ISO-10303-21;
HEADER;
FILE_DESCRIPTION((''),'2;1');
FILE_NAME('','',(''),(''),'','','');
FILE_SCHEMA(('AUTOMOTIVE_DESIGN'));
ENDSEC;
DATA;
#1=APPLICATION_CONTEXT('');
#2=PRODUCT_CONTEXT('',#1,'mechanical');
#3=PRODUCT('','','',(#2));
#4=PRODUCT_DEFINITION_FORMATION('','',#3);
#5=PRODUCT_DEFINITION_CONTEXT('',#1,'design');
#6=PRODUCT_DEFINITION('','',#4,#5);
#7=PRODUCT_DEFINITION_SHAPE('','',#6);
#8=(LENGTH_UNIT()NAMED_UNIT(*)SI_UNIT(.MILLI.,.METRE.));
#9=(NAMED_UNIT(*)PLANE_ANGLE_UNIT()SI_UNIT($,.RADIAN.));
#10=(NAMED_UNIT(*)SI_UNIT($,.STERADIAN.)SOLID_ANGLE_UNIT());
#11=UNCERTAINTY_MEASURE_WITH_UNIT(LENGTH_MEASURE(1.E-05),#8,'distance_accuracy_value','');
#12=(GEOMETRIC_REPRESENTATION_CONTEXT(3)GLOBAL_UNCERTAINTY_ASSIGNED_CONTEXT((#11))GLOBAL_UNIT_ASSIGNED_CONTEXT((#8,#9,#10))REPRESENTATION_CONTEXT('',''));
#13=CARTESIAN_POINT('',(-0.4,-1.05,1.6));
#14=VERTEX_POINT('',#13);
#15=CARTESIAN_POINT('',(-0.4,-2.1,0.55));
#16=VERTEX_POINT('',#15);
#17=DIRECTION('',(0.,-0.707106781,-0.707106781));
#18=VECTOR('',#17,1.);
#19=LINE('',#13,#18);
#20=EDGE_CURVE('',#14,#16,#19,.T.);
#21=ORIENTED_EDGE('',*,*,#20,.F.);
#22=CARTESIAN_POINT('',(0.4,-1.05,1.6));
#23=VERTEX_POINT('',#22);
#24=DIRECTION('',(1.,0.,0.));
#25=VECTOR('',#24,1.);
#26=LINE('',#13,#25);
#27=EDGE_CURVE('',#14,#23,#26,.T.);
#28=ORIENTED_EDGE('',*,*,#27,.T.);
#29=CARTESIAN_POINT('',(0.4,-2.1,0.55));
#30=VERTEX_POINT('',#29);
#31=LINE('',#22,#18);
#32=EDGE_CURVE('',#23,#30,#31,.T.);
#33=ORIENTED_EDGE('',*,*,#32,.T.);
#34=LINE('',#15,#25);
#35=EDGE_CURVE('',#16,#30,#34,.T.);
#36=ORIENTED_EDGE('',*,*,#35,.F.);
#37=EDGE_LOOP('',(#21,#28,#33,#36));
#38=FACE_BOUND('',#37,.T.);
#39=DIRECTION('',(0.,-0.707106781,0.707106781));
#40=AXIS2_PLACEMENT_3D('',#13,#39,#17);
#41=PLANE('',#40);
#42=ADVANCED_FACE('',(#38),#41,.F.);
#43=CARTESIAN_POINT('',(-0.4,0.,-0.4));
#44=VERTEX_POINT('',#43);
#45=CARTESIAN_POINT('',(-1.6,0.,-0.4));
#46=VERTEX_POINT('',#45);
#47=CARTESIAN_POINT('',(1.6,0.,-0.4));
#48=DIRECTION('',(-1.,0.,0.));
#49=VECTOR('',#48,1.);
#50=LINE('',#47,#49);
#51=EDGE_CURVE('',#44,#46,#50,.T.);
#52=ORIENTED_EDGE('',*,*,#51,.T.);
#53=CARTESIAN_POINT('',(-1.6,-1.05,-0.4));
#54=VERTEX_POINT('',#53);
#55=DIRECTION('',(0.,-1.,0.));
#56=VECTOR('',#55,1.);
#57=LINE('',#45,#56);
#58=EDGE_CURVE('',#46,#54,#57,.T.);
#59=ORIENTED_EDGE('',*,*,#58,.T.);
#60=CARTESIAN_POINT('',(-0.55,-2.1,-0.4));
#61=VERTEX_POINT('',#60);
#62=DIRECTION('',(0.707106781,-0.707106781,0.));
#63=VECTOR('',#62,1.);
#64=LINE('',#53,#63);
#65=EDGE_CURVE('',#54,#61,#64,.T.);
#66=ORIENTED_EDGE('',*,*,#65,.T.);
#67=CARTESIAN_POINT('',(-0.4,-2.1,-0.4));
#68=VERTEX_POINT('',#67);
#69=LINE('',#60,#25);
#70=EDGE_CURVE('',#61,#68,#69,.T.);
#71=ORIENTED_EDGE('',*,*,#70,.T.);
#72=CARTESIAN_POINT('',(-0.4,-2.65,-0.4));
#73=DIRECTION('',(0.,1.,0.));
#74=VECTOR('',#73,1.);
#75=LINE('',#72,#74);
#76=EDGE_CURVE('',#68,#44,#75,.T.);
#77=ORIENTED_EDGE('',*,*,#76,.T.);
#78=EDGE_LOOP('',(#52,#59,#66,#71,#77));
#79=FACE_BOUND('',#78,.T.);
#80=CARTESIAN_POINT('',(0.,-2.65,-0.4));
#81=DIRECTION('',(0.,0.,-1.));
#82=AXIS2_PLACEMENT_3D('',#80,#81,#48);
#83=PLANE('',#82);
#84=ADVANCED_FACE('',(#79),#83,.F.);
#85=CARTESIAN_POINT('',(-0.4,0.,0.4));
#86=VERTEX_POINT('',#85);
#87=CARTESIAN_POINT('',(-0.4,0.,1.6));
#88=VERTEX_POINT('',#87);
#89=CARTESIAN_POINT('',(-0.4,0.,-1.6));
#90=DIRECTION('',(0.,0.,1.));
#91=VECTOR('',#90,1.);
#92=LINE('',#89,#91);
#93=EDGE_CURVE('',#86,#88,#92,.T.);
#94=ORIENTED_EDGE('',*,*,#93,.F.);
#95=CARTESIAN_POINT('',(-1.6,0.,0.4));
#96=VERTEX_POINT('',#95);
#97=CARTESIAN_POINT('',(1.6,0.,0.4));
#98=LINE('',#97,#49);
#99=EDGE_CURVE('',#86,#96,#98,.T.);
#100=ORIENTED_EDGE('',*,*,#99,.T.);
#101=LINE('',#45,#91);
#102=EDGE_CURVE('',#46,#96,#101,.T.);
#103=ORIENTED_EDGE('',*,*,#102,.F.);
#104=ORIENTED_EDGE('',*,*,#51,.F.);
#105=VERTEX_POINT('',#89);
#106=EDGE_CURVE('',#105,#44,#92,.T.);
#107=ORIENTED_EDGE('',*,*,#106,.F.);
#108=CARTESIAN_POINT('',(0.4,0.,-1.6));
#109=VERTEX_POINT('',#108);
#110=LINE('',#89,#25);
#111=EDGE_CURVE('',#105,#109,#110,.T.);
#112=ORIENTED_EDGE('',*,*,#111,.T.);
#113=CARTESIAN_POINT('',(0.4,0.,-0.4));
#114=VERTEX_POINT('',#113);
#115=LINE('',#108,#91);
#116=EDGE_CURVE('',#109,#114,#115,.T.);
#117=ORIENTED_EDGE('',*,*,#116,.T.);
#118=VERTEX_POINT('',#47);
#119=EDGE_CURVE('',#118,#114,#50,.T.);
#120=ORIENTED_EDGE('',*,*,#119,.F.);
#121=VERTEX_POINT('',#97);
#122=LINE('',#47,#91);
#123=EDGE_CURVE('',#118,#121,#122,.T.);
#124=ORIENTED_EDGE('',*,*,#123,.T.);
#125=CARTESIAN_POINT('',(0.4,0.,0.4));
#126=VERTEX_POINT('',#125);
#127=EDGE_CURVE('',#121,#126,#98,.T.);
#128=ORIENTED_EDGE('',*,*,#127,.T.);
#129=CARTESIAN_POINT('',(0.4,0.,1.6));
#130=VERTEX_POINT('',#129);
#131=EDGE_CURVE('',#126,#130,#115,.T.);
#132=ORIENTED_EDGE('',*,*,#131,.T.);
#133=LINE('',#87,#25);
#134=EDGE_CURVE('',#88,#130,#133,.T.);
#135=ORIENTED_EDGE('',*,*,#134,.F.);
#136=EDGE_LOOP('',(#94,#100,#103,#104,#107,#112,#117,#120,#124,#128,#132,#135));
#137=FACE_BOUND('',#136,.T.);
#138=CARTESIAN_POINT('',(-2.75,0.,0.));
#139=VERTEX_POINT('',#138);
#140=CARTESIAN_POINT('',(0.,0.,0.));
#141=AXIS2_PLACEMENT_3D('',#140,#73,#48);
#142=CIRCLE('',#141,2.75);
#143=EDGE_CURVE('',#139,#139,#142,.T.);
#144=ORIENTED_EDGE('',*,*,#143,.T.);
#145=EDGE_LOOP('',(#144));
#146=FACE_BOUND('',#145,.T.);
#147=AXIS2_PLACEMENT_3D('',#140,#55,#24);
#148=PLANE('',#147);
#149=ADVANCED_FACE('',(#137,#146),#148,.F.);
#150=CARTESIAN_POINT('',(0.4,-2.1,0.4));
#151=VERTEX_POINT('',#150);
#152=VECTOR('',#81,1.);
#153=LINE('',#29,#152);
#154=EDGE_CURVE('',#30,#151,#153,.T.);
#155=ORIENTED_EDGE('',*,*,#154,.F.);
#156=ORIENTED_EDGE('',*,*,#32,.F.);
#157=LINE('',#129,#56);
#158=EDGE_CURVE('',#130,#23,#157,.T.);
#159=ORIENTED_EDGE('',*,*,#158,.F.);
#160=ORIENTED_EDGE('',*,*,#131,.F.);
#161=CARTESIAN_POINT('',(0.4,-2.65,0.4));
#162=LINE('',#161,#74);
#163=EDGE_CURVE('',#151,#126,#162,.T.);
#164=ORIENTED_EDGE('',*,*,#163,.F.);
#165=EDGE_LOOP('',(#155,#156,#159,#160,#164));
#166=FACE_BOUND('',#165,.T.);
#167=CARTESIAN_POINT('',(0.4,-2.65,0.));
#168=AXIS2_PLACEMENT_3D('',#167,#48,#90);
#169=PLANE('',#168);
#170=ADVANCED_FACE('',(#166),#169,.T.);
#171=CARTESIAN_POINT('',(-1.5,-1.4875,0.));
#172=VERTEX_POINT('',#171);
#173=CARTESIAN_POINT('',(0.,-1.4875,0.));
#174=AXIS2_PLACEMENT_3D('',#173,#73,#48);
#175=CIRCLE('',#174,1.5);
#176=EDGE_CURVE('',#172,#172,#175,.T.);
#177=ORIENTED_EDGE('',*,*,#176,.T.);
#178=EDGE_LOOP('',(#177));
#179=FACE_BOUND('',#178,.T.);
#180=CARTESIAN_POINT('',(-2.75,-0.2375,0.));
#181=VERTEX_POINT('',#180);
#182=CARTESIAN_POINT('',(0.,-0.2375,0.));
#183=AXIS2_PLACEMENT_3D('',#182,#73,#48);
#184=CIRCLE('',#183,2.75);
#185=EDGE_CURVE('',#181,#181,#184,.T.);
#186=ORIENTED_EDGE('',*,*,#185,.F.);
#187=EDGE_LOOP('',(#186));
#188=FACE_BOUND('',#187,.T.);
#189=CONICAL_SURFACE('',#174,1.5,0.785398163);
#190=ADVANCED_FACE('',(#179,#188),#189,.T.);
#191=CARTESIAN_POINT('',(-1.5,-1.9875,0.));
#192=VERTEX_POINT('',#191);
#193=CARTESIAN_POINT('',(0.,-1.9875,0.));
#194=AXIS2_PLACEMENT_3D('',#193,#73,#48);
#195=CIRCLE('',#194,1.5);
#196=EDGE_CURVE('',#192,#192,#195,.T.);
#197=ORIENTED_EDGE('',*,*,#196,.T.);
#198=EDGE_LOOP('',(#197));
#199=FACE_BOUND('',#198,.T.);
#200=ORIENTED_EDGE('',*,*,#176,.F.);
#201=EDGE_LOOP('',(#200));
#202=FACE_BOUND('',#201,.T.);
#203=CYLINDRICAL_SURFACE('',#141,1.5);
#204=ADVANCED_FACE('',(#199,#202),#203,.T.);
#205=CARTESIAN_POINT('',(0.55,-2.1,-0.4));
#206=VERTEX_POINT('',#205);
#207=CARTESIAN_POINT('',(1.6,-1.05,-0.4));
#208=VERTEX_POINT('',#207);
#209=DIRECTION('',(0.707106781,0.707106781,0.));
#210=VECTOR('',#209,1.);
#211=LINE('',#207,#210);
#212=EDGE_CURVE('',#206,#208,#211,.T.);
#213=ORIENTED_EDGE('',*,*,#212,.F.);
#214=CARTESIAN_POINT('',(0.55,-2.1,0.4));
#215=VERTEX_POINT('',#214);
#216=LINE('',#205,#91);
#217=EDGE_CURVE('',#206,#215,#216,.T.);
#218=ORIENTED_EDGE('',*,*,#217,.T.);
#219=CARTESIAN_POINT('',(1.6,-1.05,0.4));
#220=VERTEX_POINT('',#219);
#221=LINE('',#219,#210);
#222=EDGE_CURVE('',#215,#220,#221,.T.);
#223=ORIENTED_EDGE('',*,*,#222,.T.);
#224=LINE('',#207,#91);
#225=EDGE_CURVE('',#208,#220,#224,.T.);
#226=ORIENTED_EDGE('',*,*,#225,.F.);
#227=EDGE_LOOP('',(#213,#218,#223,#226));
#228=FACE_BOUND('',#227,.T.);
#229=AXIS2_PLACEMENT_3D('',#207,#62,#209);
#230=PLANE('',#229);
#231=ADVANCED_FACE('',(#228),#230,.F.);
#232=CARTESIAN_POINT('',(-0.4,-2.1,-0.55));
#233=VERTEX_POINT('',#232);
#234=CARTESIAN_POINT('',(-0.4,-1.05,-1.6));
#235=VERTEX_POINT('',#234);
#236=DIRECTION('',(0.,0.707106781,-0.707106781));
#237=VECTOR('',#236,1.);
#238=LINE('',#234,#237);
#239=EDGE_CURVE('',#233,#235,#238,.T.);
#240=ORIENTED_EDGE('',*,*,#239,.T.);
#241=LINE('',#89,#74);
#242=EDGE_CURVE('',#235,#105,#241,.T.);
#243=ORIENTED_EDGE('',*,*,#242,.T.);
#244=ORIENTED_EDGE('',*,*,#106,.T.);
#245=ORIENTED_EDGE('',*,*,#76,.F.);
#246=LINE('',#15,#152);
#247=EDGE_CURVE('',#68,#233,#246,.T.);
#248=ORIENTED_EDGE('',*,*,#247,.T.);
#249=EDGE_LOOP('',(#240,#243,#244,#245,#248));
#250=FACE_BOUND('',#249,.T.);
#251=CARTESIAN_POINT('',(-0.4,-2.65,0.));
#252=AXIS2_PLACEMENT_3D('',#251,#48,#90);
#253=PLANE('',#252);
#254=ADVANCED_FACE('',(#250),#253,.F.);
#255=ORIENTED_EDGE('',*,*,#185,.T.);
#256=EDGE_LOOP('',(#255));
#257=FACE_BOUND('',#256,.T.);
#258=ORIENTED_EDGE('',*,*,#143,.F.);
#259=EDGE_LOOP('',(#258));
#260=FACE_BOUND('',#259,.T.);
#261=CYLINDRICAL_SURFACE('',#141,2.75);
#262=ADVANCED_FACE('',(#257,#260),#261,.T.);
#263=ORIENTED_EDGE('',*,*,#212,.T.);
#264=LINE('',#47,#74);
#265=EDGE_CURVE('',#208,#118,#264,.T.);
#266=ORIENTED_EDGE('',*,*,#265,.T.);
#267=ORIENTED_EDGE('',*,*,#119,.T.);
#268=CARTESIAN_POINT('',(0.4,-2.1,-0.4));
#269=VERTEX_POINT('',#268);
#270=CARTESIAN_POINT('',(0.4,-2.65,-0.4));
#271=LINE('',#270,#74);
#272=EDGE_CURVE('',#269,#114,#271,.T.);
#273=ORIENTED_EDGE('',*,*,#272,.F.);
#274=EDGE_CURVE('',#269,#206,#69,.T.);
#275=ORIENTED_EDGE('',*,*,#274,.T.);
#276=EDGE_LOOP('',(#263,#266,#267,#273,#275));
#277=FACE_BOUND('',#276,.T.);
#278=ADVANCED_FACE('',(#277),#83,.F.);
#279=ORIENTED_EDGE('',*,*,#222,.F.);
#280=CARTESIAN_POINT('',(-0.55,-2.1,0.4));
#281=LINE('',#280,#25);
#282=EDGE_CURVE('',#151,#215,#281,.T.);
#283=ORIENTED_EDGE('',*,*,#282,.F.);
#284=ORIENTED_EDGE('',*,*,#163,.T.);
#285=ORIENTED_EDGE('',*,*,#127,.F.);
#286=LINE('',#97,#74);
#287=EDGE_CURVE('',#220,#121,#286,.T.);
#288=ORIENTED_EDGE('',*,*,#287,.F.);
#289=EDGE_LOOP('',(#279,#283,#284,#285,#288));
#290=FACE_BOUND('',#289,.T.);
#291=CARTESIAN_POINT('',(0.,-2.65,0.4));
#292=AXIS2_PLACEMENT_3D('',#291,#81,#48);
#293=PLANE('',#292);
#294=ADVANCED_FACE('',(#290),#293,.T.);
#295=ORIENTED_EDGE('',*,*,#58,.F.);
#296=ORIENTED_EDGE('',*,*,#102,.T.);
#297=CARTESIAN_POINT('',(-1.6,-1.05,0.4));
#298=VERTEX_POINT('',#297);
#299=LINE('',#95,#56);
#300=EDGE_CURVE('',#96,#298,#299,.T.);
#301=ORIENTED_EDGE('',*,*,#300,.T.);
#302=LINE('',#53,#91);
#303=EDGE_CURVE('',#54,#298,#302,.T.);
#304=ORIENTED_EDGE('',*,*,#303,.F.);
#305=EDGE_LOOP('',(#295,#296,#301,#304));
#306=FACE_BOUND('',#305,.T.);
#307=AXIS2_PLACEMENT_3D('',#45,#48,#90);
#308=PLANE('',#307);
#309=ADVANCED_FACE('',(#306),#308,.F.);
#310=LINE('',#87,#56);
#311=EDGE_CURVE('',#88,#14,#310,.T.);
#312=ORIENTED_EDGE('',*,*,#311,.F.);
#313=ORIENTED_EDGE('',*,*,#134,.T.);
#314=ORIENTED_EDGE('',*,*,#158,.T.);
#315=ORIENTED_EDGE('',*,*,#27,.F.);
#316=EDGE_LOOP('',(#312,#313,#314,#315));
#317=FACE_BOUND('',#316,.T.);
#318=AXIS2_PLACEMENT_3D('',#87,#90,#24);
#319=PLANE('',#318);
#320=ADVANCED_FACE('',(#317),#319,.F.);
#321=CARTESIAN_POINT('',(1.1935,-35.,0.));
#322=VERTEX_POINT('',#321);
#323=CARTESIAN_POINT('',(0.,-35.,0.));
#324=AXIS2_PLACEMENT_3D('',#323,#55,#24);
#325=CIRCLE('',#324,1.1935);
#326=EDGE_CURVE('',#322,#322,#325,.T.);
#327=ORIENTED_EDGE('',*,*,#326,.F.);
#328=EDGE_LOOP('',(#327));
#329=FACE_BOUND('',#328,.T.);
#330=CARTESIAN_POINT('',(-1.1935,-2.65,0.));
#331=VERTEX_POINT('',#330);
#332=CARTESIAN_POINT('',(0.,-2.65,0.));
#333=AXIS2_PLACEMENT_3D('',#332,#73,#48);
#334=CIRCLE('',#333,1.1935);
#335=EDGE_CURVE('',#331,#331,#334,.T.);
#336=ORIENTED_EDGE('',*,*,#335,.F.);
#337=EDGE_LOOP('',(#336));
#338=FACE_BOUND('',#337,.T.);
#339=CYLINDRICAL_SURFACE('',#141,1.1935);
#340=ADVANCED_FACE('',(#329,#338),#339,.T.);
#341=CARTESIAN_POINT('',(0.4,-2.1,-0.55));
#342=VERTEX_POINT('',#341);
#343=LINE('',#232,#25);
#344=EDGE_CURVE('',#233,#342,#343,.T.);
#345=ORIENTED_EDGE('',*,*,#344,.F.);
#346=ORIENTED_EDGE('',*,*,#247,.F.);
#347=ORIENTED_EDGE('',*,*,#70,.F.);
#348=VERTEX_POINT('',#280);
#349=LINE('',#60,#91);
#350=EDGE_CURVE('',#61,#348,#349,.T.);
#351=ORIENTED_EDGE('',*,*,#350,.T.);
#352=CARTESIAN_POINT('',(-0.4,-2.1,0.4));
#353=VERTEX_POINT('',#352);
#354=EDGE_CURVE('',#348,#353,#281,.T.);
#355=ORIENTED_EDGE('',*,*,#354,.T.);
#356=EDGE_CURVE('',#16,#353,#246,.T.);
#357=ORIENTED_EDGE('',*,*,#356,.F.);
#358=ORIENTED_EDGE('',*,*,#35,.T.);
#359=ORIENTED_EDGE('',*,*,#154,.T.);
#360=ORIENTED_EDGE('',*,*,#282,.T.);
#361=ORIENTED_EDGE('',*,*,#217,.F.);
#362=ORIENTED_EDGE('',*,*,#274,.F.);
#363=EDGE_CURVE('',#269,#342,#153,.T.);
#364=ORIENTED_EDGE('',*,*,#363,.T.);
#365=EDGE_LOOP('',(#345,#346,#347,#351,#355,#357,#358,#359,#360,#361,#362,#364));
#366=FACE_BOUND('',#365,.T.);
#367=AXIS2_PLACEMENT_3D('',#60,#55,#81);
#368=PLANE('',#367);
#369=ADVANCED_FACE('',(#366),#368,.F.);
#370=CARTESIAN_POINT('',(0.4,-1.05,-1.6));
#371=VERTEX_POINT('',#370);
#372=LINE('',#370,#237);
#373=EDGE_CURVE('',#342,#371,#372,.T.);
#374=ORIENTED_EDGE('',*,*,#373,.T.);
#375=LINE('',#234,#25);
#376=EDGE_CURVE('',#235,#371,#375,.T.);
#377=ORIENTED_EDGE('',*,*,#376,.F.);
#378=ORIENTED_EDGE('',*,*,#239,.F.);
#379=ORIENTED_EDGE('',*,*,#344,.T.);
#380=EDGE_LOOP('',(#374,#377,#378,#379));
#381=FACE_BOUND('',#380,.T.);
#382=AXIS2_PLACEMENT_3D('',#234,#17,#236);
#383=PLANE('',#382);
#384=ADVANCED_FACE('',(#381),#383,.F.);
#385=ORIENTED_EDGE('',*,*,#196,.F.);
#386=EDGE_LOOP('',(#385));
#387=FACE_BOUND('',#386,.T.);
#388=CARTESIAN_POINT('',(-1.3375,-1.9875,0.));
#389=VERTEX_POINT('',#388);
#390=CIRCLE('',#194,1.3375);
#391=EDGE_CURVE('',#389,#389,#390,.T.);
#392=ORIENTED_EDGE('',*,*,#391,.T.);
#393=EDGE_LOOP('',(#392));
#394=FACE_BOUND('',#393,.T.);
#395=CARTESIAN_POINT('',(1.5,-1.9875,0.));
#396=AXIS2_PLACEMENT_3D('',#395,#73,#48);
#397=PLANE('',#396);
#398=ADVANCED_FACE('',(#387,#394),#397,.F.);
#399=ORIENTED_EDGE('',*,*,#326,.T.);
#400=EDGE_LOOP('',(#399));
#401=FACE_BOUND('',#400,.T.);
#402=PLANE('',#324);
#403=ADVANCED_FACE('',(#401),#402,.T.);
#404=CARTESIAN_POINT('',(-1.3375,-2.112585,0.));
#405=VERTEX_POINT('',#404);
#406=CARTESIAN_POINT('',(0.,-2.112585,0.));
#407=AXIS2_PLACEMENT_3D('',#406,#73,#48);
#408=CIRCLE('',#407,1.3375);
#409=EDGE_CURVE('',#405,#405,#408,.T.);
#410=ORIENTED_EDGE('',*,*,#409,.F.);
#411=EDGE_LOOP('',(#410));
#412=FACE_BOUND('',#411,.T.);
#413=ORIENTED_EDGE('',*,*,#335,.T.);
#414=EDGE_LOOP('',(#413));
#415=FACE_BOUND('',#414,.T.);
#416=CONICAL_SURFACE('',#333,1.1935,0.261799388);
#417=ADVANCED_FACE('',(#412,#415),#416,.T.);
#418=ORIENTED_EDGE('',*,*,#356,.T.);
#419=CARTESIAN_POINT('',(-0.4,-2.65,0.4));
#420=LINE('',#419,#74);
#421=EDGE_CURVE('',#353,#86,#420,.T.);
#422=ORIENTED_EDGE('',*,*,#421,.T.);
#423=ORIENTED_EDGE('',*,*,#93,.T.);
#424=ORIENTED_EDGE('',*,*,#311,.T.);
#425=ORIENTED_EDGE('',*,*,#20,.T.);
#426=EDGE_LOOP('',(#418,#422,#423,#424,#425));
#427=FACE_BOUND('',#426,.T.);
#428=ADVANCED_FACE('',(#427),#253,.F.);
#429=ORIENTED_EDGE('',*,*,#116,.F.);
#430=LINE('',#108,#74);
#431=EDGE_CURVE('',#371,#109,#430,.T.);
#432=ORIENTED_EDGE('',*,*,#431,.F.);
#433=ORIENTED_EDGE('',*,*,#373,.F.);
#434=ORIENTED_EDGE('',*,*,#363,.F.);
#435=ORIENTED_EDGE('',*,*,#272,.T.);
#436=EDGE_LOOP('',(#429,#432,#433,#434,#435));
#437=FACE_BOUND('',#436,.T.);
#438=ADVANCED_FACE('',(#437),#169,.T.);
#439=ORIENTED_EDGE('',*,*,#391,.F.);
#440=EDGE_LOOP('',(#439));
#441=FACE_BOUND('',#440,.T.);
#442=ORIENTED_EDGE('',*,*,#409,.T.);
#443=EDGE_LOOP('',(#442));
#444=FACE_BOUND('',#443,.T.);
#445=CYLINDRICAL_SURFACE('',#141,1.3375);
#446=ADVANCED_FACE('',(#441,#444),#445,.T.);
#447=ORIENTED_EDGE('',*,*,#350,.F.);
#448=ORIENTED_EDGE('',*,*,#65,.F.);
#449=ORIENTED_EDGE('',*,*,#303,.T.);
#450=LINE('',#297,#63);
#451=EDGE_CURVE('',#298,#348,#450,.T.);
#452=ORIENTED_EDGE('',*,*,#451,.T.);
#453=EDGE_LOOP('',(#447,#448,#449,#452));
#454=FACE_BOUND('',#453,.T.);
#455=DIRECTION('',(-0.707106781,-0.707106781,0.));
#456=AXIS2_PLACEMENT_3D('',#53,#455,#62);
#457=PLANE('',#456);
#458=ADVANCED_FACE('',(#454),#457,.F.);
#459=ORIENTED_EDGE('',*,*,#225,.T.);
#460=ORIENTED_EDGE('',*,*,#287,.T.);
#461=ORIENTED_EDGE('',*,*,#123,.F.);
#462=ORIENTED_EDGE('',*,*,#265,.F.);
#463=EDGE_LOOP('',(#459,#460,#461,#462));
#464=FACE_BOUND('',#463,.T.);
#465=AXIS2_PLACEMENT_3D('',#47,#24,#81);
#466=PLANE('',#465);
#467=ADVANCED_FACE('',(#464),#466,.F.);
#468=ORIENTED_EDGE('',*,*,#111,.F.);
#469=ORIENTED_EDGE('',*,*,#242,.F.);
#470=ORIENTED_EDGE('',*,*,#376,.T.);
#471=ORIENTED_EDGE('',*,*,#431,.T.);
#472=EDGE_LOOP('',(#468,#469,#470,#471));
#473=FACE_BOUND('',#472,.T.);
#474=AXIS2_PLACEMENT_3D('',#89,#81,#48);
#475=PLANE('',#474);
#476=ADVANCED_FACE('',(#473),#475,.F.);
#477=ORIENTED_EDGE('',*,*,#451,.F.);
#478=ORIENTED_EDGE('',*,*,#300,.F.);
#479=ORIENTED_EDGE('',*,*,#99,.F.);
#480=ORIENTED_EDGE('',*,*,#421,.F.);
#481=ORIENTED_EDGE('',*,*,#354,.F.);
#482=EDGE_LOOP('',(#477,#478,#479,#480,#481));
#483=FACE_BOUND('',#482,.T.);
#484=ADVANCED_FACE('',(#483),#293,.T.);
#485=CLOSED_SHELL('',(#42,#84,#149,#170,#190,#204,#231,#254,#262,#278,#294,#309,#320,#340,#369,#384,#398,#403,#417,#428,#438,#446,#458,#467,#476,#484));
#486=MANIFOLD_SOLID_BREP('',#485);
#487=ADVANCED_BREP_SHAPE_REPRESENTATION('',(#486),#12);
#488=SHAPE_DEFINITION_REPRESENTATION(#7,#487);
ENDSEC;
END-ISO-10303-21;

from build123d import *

# Parameters (mm, degrees)
KREUZSCHLITZ1_H_DEPTH      = 0.4
KREUZSCHLITZ1_H_DEPTH_BACK = 0.4
KREUZSCHLITZ2_H_DEPTH      = 0.4
KREUZSCHLITZ2_H_DEPTH_BACK = 0.4
BOSS_EXTRUDE1_START        = 27
SKETCH1_R                  = 1.1935
BOSS_EXTRUDE1_DEPTH        = 27


with BuildPart() as part:
    # Skizze1 → Basis-Rotation (revolve)
    with BuildSketch(Plane.XY, mode=Mode.PRIVATE) as basis_rotation_sk:
        Polygon((0, 0), (2.75, 0), (2.75, -0.2375), (1.5, -1.4875), (1.5, -1.9875), (1.3375, -1.9875), (1.3375, -2.112584684), (1.1935, -2.65), (1.1935, -8), (0, -8), align=None)
    revolve(basis_rotation_sk.sketch.rotate(Axis((0, 0, 0), (0, -1, 0)), 180), axis=Axis((0, 0, 0), (0, -1, 0)))

    # Skizze2 → Kreuzschlitz1 H (cut, two sides: drawn at the far end of the back side and taken through both)
    with BuildSketch(Plane.XY.offset(-KREUZSCHLITZ1_H_DEPTH_BACK)):
        Polygon((-0.55, -2.1), (0.55, -2.1), (1.6, -1.05), (1.6, 0), (-1.6, 0), (-1.6, -1.05), align=None)
    extrude(amount=KREUZSCHLITZ1_H_DEPTH + KREUZSCHLITZ1_H_DEPTH_BACK, mode=Mode.SUBTRACT)

    # Skizze3 → Kreuzschlitz2 H (cut, two sides: drawn at the far end of the back side and taken through both)
    with BuildSketch(Plane(origin=(0, 0, 0), x_dir=(0, 0, -1), z_dir=(1, 0, 0)).offset(-KREUZSCHLITZ2_H_DEPTH_BACK)):
        Polygon((-0.55, -2.1), (0.55, -2.1), (1.6, -1.05), (1.6, 0), (-1.6, 0), (-1.6, -1.05), align=None)
    extrude(amount=KREUZSCHLITZ2_H_DEPTH + KREUZSCHLITZ2_H_DEPTH_BACK, mode=Mode.SUBTRACT)

    # Sketch1 → Boss-Extrude1 (add)
    with BuildSketch(Plane.XZ.offset(8).offset(BOSS_EXTRUDE1_START)):
        with Locations(Location((0, 0, 0), (0, 0, 180))):
            Circle(SKETCH1_R)
    extrude(amount=-BOSS_EXTRUDE1_DEPTH)


solid = part.part
